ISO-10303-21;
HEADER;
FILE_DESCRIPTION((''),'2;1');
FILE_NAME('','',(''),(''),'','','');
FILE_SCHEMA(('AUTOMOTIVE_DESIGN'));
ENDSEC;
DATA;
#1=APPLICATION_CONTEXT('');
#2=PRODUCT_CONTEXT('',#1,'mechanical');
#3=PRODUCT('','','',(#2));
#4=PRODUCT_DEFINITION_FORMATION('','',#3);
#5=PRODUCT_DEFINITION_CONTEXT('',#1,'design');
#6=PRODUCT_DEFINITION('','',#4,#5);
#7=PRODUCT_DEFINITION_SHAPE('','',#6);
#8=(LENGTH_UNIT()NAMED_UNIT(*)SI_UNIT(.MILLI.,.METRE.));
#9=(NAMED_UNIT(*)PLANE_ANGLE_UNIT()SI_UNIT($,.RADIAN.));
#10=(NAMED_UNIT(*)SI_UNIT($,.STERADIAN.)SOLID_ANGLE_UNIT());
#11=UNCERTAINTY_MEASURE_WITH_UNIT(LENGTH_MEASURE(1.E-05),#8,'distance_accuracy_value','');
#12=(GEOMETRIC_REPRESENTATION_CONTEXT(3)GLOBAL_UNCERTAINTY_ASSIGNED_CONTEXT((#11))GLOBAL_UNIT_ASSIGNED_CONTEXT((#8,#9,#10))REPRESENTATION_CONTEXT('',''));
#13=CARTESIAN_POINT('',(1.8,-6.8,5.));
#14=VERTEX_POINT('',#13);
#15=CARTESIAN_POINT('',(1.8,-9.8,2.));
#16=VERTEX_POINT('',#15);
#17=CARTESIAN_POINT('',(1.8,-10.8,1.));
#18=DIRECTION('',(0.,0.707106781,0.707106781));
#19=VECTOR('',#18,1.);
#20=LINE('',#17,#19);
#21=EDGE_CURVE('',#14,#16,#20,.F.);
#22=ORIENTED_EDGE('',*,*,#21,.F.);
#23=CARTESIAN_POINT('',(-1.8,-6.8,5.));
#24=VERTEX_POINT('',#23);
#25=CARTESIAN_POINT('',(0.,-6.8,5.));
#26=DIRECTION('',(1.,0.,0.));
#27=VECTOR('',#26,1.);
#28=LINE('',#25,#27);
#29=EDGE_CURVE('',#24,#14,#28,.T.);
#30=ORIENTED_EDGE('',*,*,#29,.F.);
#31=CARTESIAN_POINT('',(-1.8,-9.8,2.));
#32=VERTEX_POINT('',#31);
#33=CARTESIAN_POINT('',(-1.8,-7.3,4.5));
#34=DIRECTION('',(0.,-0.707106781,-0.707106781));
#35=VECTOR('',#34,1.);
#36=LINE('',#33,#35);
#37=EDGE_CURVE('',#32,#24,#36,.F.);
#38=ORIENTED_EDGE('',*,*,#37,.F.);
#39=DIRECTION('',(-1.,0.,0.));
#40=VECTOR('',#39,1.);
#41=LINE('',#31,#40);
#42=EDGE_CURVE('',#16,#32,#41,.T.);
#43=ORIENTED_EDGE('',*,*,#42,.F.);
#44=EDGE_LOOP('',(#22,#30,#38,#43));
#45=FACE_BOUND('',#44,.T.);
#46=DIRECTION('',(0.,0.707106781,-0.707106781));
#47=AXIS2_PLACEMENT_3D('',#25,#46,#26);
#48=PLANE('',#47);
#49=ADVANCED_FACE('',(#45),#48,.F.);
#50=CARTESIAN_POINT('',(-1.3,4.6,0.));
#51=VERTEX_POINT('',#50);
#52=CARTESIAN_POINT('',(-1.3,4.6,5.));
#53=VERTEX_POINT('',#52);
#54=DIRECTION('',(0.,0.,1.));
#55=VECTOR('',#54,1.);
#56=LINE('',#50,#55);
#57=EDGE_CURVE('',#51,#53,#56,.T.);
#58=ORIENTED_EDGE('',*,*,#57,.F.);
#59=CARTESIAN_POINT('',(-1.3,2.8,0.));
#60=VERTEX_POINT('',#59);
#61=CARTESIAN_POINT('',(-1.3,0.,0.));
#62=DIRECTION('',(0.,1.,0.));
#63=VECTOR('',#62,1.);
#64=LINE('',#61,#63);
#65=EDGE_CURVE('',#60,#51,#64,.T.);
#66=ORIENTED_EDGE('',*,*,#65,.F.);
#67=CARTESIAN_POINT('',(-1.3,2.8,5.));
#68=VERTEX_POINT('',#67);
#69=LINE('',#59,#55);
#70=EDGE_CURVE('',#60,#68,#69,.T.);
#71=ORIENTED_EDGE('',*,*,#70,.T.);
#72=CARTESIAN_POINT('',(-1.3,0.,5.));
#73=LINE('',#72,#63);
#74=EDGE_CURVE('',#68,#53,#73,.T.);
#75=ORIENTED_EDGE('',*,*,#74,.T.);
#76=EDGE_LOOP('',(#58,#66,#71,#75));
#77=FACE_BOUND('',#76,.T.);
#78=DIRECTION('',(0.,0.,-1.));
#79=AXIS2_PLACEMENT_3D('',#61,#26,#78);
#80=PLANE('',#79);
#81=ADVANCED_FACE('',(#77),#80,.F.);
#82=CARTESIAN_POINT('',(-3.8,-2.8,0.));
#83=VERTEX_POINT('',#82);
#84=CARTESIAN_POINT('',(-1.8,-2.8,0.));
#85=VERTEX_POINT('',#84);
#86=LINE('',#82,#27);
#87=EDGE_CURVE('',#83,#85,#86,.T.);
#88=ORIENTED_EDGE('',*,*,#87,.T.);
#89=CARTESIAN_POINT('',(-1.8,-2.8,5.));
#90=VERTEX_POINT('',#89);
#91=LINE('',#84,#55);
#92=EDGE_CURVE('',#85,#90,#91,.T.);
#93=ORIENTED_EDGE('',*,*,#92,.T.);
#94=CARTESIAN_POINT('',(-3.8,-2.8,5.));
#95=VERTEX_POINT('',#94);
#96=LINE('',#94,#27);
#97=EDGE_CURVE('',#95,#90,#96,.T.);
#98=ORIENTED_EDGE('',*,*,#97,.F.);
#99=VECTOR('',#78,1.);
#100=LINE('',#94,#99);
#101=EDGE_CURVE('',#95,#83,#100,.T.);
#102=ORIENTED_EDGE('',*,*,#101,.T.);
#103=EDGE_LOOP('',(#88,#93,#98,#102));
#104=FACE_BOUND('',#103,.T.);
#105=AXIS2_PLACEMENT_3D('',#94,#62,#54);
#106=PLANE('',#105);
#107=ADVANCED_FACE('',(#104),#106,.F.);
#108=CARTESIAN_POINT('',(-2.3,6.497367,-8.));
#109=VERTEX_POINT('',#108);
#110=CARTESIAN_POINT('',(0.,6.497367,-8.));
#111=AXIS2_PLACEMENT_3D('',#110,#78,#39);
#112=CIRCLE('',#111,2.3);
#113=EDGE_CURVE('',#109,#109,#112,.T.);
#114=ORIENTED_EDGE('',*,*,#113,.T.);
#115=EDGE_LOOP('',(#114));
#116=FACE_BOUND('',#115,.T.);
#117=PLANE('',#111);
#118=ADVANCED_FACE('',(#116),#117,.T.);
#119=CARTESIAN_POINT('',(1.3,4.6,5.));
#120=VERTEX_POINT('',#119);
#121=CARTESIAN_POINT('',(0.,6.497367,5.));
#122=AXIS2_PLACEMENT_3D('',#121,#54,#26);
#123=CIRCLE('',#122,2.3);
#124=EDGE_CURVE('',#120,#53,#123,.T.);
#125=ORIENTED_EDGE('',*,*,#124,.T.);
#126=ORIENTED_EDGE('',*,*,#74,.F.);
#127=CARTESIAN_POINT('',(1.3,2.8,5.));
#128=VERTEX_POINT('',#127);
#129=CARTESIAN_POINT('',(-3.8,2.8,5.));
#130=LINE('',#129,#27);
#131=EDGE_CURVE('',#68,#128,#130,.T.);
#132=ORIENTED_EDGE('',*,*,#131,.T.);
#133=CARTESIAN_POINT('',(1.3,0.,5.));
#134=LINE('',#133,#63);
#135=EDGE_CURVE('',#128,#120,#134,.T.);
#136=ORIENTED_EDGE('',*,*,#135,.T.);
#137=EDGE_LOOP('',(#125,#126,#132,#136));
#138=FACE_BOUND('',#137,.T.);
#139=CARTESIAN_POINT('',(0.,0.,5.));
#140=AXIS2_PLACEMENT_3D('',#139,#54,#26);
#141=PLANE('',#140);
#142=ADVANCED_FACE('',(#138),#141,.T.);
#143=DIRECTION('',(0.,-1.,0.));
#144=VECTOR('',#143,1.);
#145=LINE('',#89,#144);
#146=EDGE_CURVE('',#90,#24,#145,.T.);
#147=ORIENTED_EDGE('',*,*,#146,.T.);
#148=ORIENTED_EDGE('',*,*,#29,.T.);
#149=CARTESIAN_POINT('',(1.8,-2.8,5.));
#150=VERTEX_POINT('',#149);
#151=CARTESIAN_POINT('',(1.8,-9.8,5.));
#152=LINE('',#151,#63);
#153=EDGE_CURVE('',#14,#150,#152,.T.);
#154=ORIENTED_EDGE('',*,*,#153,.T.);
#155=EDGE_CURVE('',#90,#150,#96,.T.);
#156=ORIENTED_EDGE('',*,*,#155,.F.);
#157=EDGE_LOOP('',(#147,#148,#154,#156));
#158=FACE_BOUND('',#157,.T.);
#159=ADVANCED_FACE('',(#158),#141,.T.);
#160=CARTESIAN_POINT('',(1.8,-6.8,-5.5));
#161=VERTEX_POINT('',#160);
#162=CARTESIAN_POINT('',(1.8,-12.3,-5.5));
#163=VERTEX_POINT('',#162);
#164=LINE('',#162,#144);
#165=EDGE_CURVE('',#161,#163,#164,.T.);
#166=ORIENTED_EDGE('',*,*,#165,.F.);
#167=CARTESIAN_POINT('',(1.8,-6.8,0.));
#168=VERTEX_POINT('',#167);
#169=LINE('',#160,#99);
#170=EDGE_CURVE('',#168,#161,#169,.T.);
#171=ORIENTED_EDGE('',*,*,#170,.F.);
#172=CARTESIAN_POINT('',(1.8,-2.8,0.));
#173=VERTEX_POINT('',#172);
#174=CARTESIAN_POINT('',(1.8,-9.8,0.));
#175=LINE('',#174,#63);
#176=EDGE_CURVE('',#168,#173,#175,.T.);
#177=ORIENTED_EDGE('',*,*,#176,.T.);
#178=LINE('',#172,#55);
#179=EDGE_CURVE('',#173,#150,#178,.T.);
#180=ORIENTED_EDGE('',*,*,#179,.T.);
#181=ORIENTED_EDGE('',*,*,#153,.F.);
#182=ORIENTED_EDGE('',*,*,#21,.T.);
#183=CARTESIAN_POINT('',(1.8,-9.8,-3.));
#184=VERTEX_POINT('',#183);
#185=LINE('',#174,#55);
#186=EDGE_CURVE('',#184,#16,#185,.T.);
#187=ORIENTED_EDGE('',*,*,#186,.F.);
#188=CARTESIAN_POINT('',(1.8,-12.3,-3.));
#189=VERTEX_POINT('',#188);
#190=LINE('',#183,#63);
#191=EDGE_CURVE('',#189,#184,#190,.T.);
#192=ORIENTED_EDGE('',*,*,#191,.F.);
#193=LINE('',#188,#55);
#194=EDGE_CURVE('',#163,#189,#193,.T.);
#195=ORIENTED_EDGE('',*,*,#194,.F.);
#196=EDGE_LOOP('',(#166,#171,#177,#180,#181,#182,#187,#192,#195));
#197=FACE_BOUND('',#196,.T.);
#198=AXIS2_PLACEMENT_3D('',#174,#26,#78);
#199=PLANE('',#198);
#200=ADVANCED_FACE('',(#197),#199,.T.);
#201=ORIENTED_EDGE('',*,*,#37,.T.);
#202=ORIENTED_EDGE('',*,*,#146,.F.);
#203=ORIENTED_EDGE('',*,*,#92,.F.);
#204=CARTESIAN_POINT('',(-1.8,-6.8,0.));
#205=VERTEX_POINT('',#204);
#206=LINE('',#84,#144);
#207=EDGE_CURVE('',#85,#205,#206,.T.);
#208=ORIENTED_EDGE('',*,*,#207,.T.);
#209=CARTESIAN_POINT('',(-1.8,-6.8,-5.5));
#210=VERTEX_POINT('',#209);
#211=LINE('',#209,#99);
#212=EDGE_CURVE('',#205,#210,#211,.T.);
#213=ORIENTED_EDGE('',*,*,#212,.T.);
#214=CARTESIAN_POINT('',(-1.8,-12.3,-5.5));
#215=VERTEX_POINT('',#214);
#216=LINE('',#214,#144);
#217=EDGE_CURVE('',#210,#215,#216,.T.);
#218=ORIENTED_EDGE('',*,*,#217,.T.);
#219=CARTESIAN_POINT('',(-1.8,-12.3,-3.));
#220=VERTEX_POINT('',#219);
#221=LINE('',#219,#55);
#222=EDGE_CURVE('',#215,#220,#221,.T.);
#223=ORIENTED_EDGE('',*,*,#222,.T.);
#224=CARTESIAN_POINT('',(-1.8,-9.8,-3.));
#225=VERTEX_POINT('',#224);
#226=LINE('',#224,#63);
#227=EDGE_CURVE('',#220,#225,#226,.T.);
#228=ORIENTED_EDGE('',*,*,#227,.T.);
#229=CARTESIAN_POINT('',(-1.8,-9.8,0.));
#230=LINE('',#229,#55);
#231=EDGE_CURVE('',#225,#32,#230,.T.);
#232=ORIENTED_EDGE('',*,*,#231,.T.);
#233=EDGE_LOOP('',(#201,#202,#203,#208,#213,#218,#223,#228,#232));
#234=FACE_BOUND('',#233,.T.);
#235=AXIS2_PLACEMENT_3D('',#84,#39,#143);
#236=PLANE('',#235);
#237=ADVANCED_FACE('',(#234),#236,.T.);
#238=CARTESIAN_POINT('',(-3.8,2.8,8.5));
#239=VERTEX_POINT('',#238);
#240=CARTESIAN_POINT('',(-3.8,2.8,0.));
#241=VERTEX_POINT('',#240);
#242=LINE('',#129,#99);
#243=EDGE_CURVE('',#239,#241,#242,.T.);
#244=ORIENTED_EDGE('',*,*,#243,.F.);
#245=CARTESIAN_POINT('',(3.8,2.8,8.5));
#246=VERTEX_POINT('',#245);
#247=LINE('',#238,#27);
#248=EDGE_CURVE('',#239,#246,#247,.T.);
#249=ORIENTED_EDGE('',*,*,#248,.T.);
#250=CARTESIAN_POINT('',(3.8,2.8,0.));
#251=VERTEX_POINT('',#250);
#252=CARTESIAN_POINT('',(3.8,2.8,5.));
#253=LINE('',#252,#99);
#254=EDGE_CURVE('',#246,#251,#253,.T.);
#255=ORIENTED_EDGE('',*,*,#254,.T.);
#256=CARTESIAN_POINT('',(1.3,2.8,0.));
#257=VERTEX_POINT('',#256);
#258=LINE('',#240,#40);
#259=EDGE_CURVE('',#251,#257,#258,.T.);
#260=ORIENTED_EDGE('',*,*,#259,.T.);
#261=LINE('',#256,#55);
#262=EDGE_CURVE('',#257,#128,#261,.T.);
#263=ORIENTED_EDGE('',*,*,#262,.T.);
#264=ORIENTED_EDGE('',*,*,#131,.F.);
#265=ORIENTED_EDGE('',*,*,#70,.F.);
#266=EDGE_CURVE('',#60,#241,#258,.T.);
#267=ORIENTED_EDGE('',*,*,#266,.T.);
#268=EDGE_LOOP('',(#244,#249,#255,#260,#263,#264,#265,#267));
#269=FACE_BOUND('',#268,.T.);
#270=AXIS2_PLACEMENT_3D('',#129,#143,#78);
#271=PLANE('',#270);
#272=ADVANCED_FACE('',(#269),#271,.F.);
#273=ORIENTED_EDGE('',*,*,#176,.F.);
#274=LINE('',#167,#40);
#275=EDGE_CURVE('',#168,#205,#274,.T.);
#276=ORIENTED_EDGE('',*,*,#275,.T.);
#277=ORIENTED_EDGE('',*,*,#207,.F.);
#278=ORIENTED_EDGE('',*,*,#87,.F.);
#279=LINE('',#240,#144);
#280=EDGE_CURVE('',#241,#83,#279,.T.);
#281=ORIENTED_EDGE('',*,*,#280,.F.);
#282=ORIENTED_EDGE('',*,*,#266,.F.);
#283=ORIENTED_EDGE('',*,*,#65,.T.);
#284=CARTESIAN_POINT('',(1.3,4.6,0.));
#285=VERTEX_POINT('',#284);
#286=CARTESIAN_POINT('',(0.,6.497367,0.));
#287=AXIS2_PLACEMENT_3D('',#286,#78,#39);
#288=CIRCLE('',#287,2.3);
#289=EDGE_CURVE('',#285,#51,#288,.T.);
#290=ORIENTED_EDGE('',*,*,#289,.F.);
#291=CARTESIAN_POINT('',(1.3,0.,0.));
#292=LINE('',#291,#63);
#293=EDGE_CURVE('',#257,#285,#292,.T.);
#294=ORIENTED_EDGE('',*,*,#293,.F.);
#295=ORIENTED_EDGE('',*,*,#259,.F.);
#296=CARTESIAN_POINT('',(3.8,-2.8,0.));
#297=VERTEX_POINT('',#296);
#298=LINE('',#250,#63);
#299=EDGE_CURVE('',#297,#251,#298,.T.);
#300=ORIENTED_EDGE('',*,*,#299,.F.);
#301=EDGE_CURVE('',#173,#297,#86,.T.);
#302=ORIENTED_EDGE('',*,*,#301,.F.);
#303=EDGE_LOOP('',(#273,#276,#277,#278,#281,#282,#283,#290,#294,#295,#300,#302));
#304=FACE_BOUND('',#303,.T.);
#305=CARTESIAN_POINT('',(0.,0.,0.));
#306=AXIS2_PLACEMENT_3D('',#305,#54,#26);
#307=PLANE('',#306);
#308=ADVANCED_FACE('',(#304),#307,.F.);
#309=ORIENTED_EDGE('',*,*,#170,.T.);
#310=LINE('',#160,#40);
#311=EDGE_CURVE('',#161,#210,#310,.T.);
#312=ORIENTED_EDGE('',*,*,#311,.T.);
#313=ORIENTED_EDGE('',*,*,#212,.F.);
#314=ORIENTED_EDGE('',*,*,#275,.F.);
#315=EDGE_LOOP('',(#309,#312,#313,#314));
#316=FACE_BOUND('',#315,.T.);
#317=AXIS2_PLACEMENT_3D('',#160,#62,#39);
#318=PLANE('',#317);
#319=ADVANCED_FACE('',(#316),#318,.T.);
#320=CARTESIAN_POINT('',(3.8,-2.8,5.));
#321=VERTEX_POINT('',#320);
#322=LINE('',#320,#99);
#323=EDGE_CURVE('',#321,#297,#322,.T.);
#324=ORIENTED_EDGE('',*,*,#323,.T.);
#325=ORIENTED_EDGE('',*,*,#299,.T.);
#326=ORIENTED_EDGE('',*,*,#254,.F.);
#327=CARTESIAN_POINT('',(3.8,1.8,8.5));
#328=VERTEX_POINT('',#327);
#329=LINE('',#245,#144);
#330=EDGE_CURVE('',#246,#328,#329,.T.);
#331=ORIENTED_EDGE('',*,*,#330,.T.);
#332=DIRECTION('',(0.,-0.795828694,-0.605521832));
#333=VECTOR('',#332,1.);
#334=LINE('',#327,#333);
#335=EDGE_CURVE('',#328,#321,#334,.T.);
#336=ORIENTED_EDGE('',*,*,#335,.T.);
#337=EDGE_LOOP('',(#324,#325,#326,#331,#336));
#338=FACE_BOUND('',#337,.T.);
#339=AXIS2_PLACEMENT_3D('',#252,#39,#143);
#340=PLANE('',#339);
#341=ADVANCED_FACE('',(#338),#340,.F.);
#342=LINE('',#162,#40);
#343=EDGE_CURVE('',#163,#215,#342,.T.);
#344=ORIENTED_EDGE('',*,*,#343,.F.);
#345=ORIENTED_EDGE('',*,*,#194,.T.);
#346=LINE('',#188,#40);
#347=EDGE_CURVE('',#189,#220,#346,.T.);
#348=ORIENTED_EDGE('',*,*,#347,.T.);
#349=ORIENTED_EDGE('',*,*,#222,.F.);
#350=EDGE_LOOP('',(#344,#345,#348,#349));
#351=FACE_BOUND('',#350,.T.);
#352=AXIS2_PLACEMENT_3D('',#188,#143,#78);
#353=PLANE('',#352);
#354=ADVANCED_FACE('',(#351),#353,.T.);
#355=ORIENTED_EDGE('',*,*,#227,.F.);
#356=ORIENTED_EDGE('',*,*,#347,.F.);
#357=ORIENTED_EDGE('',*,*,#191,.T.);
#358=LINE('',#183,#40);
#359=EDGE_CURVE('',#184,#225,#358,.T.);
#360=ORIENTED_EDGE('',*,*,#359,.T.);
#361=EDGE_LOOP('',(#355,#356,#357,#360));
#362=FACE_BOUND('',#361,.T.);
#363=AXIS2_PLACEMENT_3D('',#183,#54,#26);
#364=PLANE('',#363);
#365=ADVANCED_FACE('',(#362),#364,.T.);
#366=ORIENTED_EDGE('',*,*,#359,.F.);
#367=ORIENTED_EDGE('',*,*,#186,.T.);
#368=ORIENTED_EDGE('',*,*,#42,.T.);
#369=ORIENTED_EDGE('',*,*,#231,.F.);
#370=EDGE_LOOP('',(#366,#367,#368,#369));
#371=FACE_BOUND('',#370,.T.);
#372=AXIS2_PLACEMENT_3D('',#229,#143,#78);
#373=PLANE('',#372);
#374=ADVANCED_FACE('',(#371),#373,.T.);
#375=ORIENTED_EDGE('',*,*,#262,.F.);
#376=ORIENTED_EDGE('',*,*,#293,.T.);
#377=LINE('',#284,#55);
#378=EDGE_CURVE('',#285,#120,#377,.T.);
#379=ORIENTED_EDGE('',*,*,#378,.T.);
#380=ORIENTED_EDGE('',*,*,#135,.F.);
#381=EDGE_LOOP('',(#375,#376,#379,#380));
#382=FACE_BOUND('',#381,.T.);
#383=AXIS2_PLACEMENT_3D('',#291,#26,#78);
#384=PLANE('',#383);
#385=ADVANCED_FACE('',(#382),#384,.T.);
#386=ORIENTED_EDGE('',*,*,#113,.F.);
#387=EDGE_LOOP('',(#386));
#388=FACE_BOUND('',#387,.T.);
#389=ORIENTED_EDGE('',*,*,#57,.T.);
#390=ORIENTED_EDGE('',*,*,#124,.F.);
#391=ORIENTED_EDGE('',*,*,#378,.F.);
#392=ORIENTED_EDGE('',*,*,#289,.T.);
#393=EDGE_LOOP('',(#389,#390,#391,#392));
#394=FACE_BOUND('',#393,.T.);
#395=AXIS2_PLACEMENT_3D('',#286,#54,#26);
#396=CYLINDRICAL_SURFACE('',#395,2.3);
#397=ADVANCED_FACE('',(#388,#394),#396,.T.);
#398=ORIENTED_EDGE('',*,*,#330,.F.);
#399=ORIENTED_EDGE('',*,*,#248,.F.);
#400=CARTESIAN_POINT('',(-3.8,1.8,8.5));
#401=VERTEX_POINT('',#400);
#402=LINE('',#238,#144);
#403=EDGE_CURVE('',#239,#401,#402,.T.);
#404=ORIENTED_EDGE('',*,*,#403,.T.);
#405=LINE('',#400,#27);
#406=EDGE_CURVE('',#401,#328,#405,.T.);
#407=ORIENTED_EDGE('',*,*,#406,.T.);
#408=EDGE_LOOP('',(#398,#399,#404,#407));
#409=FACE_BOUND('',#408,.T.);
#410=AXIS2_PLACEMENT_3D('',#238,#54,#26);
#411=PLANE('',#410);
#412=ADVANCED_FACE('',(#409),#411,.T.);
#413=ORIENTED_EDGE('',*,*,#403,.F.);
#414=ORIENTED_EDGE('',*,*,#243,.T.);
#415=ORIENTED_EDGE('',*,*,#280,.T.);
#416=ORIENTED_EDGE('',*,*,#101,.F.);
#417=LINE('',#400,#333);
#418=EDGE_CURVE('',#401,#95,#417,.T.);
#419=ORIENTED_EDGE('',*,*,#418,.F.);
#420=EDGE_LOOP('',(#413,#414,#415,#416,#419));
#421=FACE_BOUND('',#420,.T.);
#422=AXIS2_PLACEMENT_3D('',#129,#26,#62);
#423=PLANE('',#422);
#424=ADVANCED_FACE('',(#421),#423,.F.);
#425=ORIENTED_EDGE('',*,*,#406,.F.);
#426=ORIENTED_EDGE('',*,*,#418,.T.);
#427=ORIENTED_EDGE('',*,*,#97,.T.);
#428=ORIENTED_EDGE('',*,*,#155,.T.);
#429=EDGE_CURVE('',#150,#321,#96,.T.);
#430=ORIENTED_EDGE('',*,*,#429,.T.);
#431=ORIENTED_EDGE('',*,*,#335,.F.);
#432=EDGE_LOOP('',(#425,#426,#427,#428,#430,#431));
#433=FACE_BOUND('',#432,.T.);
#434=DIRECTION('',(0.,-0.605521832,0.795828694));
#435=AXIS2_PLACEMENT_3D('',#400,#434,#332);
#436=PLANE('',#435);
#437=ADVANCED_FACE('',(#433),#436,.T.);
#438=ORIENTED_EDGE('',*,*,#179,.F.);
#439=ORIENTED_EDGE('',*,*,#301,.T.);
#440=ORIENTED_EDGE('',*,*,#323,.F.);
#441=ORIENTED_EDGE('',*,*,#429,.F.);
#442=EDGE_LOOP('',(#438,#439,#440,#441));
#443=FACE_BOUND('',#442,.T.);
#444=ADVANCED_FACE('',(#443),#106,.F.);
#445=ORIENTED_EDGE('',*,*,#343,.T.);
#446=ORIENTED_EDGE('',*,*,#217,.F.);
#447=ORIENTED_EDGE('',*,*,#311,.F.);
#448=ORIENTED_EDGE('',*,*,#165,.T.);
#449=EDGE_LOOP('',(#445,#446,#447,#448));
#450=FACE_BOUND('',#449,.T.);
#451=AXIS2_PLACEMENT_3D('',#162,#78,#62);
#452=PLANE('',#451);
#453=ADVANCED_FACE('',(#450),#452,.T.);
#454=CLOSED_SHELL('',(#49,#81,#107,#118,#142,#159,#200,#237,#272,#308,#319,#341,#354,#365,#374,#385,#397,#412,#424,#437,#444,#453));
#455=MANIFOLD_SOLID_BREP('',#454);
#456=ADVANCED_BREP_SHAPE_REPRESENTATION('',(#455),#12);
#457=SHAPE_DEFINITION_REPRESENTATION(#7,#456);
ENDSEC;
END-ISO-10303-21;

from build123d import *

# Parameters (mm, degrees)
SZKIC1_W                    = 7.6
SZKIC1_H                    = 5.6
DODANIE_WYCI_GNI_CIE1_DEPTH = 5
SZKIC2_R                    = 2.3
SZKIC2_W                    = 2.6
SZKIC2_H                    = 1.8
DODANIE_WYCI_GNI_CIE2_DEPTH = 5
SZKIC3_W                    = 3.6
SZKIC3_H                    = 7
DODANIE_WYCI_GNI_CIE3_DEPTH = 5
SZKIC4_R                    = 2.3
DODANIE_WYCI_GNI_CIE4_DEPTH = 8
SFAZOWANIE1_SIZE            = 3
DODANIE_WYCI_GNI_CIE5_DEPTH = 7.6
DODANIE_WYCI_GNI_CIE6_DEPTH = 3.6


with BuildPart() as part:
    # Szkic1 → Dodanie-wyciągnięcie1 (new body)
    with BuildSketch(Plane.XY):
        Rectangle(SZKIC1_W, SZKIC1_H)
    extrude(amount=DODANIE_WYCI_GNI_CIE1_DEPTH)

    # Szkic2 → Dodanie-wyciągnięcie2 (add)
    with BuildSketch(Plane.XY.offset(5)):
        with Locations((0, 6.497366596)):
            Circle(SZKIC2_R)
        with Locations((0, 3.7)):
            Rectangle(SZKIC2_W, SZKIC2_H)
    extrude(amount=-DODANIE_WYCI_GNI_CIE2_DEPTH)

    # Szkic3 → Dodanie-wyciągnięcie3 (add)
    with BuildSketch(Plane.XY.offset(5)):
        with Locations((0, -6.3)):
            Rectangle(SZKIC3_W, SZKIC3_H)
    extrude(amount=-DODANIE_WYCI_GNI_CIE3_DEPTH)

    # Szkic4 → Dodanie-wyciągnięcie4 (add)
    with BuildSketch(Plane(origin=(0, 0, 0), x_dir=(-1, 0, 0), z_dir=(0, 0, -1))):
        with Locations(Location((0, 6.497366596, 0), (0, 0, 235.58261129))):
            Circle(SZKIC4_R)
    extrude(amount=DODANIE_WYCI_GNI_CIE4_DEPTH)

    # Sfazowanie1
    sfazowanie1_edges = [part.edges().sort_by_distance(p)[0] for p in [
        (0, -9.8, 5),
    ]]
    chamfer(sfazowanie1_edges, length=SFAZOWANIE1_SIZE)

    # Szkic5 → Dodanie-wyciągnięcie5 (add)
    with BuildSketch(Plane(origin=(3.8, 0, 0), x_dir=(0, 0, -1), z_dir=(1, 0, 0))):
        Polygon((-5, 2.8), (-8.5, 2.8), (-8.5, 1.8), (-5, -2.8), align=None)
    extrude(amount=-DODANIE_WYCI_GNI_CIE5_DEPTH)

    # Szkic6 → Dodanie-wyciągnięcie6 (add)
    with BuildSketch(Plane.ZY.offset(1.8)):
        Polygon((0, -9.8), (-3, -9.8), (-3, -12.3), (-5.5, -12.3), (-5.5, -6.8), (0, -6.8), align=None)
    extrude(amount=-DODANIE_WYCI_GNI_CIE6_DEPTH)


solid = part.part
